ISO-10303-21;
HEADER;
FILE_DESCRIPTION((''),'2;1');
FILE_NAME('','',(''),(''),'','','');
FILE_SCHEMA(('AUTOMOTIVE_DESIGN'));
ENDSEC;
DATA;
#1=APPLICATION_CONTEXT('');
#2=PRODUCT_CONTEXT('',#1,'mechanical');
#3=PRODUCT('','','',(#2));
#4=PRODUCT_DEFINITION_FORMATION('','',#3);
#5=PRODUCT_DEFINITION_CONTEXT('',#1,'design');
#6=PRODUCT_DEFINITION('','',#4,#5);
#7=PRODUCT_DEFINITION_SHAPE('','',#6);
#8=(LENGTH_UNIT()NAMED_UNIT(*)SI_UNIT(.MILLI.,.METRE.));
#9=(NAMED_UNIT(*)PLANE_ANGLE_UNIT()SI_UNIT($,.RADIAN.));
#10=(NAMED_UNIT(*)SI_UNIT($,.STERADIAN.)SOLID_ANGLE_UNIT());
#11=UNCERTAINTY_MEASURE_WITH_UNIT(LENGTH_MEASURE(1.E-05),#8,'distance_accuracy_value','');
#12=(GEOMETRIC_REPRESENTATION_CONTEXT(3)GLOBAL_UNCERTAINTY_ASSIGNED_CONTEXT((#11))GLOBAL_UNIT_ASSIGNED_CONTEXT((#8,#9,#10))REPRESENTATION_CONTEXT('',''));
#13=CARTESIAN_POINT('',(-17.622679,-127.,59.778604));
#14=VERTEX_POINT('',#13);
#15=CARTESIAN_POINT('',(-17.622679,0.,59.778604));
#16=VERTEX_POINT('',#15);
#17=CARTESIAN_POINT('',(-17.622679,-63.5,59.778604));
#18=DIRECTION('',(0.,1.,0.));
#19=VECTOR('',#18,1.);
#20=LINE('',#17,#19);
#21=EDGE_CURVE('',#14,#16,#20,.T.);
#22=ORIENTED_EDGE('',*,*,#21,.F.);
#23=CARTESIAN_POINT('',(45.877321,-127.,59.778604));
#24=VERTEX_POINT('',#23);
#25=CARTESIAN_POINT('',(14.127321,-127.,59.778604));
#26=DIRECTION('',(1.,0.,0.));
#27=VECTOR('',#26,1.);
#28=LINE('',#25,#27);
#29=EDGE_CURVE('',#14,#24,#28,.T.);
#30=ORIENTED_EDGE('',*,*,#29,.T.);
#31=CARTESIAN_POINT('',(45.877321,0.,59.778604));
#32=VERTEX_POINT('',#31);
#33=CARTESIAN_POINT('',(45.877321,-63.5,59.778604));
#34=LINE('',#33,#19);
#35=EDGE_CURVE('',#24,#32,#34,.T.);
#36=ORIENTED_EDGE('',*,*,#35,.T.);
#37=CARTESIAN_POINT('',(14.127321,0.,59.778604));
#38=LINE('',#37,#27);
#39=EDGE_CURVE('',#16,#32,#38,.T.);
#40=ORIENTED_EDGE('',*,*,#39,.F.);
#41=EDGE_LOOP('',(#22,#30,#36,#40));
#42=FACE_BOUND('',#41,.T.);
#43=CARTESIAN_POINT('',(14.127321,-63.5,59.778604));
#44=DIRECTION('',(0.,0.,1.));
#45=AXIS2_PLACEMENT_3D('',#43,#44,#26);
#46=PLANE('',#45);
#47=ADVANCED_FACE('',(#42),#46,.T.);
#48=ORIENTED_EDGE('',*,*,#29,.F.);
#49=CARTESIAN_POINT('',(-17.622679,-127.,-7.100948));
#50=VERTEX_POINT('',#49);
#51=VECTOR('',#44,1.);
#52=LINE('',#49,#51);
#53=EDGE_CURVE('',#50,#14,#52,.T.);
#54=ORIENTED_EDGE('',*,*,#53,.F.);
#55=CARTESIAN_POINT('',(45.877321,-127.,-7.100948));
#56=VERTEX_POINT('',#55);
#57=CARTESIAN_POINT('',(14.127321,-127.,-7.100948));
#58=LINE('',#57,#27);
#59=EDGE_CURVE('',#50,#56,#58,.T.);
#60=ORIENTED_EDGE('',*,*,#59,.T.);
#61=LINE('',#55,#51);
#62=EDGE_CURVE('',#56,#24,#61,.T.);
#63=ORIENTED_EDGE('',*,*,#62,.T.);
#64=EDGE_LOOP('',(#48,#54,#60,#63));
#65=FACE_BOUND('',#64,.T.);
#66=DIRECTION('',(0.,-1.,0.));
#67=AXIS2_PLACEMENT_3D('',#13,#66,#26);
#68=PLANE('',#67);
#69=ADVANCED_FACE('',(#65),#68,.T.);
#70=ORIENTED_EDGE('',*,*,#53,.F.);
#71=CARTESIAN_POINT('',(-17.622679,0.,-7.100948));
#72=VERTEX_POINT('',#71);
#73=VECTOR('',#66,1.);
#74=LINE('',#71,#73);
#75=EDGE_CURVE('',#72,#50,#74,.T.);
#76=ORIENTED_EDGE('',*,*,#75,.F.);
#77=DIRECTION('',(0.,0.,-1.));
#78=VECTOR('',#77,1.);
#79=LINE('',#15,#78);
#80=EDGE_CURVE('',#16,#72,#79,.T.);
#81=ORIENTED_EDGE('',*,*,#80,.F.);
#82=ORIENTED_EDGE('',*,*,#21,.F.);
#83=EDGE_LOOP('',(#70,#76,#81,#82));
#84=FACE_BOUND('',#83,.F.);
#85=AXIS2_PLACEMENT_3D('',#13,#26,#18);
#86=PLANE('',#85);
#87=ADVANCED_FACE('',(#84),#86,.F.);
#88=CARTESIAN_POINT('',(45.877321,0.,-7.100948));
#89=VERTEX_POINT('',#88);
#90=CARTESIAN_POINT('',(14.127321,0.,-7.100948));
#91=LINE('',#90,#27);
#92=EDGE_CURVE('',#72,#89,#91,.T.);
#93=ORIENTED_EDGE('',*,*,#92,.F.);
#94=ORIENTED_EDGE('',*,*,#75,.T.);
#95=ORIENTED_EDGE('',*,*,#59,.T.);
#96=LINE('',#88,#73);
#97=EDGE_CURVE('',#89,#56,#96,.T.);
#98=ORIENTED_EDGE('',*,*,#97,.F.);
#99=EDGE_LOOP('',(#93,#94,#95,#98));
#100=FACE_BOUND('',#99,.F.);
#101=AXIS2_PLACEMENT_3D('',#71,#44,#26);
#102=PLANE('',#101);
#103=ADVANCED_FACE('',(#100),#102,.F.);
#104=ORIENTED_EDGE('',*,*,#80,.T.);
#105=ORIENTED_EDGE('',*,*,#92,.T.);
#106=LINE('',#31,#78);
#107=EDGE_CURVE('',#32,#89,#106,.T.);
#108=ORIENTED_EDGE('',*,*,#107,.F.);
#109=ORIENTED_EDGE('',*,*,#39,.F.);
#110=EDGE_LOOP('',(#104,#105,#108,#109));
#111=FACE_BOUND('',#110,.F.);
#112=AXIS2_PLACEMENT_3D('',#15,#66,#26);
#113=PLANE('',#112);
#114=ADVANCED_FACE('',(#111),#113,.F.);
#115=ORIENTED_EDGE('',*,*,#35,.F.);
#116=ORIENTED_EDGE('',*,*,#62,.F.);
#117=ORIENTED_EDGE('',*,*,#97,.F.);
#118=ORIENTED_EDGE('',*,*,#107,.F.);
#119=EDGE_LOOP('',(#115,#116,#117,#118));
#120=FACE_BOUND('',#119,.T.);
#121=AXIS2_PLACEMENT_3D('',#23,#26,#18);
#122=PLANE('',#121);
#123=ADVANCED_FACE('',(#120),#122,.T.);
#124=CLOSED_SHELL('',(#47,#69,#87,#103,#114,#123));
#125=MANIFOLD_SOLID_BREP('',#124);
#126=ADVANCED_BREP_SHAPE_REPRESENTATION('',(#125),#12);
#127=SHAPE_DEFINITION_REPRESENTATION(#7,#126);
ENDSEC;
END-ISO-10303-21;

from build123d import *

# Parameters (mm, degrees)
F0_W      = 63.5
F0_H      = 66.879551
F1_DEPTH  = 127
F1_FACE_W = 63.5
F1_FACE_H = 127
F2_DEPTH  = 25


with BuildPart() as f1:
    # F0 (on Front) → F1 (new body)
    with BuildSketch(Plane.XZ):
        with Locations((14.127321, 26.338828)):
            Rectangle(F0_W, F0_H)
    extrude(amount=F1_DEPTH)

    # F1_face (on face) → F2 (join)
    with BuildSketch(Plane(origin=(14.127321, -63.5, 59.778604), x_dir=(1, 0, 0), z_dir=(0, 0, 1))):
        Rectangle(F1_FACE_W, F1_FACE_H)
    extrude(amount=-F2_DEPTH)


solid = f1.part
